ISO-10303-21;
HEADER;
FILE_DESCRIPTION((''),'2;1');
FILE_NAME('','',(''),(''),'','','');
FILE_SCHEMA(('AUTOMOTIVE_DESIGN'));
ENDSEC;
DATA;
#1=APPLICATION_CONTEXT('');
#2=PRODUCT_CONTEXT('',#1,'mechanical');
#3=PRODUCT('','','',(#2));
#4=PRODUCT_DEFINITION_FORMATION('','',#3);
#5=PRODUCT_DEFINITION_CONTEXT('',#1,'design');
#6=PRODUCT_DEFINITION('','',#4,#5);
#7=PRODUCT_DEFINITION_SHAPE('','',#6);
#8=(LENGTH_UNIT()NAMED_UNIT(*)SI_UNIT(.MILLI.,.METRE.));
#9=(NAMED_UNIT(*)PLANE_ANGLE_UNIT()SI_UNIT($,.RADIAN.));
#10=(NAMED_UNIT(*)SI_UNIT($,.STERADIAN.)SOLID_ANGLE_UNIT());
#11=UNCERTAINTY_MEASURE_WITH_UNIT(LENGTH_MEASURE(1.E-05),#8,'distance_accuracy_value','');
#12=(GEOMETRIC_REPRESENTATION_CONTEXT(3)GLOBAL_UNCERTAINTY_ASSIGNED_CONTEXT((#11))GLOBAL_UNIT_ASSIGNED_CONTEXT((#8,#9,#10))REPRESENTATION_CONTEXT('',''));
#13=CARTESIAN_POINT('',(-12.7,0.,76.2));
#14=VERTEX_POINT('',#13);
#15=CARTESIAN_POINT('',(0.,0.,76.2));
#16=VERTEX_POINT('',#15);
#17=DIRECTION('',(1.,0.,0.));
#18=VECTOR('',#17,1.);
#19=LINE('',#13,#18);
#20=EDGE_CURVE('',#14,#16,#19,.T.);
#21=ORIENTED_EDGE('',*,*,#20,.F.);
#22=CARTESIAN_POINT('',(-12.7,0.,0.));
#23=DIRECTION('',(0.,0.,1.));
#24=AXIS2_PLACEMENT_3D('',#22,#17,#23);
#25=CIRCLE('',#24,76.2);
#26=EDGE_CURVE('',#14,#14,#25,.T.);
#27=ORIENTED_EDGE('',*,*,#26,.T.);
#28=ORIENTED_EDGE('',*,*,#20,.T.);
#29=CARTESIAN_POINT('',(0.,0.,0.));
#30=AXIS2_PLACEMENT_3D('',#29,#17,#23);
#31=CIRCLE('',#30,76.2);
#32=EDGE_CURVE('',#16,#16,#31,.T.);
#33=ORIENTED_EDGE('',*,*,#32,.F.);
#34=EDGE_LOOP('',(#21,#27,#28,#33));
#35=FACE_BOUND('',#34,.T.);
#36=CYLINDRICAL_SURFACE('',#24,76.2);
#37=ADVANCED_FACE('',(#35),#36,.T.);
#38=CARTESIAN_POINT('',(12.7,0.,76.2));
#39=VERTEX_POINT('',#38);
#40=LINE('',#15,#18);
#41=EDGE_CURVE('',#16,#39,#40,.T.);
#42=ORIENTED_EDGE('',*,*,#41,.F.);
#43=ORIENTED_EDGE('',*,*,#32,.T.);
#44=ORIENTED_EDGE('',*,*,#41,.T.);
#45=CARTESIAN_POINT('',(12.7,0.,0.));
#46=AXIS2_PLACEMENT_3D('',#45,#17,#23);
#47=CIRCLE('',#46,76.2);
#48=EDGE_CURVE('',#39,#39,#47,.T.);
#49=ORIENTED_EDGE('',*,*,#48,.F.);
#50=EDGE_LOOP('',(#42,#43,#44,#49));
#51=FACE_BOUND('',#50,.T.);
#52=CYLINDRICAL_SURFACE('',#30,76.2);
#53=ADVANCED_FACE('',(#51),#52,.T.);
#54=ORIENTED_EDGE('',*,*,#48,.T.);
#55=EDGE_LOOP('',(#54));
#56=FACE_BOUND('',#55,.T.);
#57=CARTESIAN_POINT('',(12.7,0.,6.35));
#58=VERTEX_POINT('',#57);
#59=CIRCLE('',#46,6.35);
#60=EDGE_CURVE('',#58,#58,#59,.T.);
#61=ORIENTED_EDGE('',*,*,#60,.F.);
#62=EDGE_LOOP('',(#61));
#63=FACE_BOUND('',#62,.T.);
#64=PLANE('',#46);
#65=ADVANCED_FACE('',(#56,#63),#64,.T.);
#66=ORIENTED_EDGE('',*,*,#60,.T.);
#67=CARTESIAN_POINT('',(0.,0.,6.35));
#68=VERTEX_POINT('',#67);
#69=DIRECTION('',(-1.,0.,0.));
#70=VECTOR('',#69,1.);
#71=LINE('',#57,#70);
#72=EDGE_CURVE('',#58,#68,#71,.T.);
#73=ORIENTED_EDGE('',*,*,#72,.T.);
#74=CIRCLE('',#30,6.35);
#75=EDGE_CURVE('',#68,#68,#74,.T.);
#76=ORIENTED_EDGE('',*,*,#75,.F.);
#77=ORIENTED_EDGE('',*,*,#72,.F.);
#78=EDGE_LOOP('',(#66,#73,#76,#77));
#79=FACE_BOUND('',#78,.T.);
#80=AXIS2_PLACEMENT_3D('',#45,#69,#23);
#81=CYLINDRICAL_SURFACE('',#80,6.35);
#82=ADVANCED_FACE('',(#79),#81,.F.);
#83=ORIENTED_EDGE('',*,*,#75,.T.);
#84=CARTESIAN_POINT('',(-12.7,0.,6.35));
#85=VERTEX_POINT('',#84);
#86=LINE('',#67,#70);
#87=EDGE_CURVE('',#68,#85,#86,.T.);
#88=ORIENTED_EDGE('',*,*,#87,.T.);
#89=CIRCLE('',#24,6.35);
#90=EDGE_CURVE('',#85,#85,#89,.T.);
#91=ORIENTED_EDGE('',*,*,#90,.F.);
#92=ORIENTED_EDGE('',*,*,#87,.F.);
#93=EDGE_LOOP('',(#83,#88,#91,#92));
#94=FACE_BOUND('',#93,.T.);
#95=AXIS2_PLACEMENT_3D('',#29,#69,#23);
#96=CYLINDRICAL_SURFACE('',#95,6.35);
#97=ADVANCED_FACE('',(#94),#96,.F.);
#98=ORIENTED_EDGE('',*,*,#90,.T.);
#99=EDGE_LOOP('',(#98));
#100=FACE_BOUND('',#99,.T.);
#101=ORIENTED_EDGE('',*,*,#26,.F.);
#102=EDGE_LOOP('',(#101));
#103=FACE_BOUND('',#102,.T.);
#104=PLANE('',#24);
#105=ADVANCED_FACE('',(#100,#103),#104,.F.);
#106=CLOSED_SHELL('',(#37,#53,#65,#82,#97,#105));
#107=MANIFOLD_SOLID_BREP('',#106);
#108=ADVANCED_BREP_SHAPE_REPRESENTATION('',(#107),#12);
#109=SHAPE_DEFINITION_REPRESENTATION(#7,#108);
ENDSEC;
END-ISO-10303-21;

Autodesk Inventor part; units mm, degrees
ref_plane "YZ Plane" through (0, 0, 0) normal (1, 0, 0) x (0, 1, 0)
ref_plane "XZ Plane" through (0, 0, 0) normal (0, 1, 0) x (-1, 0, 0)
ref_plane "XY Plane" through (0, 0, 0) normal (0, 0, 1) x (1, 0, 0)
sketch "Sketch2" plane through (0, 0, 0) normal (0, 1, 0) x (-1, 0, 0)
  line L0 (0, 6.35) -> (12.7, 6.35)
  line L1 (12.7, 6.35) -> (12.7, 76.2)
  line L2 (12.7, 76.2) -> (0, 76.2)
  line L3 (0, 76.2) -> (-12.7, 76.2)
  line L4 (-12.7, 76.2) -> (-12.7, 6.35)
  line L5 (-12.7, 6.35) -> (0, 6.35)
  line L6 (17.78, 0) -> (-17.78, 0) projected
  point P0 (0, 0)
  dimension "d0" = 76.2
  dimension "d1" = 25.4
  dimension "d2" = 6.35
revolve "Revolution1" add sketch "Sketch2" angle 360 about axis through (-10, 0, 0) along (1, 0, 0)
properties part number "SUS-FrontWheel"
